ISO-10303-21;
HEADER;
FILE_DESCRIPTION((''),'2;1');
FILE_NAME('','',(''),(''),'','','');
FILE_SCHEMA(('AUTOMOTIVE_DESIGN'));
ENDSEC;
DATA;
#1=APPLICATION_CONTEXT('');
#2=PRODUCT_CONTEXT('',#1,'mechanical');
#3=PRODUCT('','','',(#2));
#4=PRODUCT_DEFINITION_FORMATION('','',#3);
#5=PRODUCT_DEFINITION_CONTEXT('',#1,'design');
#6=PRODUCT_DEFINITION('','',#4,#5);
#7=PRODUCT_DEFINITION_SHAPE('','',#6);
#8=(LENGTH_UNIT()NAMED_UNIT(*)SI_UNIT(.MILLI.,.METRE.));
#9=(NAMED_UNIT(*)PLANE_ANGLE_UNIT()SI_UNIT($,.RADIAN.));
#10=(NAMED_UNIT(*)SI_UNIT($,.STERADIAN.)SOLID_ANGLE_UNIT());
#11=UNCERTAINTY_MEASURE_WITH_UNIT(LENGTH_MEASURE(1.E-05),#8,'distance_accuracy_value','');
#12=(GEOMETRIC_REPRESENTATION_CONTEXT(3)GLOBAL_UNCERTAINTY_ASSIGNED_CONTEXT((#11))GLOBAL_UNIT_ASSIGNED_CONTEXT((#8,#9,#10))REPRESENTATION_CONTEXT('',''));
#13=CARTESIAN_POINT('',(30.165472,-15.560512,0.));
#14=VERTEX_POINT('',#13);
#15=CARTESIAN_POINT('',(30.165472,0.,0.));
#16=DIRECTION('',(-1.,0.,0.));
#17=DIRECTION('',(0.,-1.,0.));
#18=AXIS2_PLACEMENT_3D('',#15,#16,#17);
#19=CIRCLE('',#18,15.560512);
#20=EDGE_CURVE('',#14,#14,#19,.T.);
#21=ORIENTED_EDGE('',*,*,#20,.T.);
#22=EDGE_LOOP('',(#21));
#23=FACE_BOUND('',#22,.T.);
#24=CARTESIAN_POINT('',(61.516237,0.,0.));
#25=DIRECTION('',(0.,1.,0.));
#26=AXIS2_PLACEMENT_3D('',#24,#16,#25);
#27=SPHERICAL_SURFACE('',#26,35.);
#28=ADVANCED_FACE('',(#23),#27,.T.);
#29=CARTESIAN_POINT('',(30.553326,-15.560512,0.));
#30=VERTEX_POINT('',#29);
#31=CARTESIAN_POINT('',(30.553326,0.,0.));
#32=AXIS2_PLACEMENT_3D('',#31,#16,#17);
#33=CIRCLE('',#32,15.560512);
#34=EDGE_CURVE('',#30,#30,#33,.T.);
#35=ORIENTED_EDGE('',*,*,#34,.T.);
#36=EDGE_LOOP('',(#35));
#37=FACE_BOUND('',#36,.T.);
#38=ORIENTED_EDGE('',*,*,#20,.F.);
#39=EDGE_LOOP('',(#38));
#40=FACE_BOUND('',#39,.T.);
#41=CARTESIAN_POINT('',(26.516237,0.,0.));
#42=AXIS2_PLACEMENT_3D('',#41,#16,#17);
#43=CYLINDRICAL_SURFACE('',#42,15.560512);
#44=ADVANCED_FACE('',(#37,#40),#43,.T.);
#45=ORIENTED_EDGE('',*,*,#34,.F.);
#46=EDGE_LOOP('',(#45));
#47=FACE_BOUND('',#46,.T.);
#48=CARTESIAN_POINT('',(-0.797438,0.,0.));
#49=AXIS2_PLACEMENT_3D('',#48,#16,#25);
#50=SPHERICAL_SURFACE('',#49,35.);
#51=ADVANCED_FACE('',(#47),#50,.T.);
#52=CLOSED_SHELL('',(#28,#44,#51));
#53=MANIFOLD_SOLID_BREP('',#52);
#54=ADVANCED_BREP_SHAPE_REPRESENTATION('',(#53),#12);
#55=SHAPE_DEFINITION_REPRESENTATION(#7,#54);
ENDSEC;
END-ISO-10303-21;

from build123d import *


with BuildPart() as part:
    # Esboço1 → Revolução1 (revolve)
    with BuildSketch(Plane.XY):
        with BuildLine():
            Line((26.516236901, 0), (34.202561511, 0))
            ThreePointArc((34.202561511, 0), (33.278042199, 7.991346311), (30.553326319, 15.560512394))
            Line((30.553326319, 15.560512394), (30.165472093, 15.560512394))
            ThreePointArc((30.165472093, 15.560512394), (27.440756213, 7.991346311), (26.516236901, 0))
        make_face()
    revolve(axis=Axis((26.516236901, 0, 0), (1, 0, 0)))


solid = part.part
